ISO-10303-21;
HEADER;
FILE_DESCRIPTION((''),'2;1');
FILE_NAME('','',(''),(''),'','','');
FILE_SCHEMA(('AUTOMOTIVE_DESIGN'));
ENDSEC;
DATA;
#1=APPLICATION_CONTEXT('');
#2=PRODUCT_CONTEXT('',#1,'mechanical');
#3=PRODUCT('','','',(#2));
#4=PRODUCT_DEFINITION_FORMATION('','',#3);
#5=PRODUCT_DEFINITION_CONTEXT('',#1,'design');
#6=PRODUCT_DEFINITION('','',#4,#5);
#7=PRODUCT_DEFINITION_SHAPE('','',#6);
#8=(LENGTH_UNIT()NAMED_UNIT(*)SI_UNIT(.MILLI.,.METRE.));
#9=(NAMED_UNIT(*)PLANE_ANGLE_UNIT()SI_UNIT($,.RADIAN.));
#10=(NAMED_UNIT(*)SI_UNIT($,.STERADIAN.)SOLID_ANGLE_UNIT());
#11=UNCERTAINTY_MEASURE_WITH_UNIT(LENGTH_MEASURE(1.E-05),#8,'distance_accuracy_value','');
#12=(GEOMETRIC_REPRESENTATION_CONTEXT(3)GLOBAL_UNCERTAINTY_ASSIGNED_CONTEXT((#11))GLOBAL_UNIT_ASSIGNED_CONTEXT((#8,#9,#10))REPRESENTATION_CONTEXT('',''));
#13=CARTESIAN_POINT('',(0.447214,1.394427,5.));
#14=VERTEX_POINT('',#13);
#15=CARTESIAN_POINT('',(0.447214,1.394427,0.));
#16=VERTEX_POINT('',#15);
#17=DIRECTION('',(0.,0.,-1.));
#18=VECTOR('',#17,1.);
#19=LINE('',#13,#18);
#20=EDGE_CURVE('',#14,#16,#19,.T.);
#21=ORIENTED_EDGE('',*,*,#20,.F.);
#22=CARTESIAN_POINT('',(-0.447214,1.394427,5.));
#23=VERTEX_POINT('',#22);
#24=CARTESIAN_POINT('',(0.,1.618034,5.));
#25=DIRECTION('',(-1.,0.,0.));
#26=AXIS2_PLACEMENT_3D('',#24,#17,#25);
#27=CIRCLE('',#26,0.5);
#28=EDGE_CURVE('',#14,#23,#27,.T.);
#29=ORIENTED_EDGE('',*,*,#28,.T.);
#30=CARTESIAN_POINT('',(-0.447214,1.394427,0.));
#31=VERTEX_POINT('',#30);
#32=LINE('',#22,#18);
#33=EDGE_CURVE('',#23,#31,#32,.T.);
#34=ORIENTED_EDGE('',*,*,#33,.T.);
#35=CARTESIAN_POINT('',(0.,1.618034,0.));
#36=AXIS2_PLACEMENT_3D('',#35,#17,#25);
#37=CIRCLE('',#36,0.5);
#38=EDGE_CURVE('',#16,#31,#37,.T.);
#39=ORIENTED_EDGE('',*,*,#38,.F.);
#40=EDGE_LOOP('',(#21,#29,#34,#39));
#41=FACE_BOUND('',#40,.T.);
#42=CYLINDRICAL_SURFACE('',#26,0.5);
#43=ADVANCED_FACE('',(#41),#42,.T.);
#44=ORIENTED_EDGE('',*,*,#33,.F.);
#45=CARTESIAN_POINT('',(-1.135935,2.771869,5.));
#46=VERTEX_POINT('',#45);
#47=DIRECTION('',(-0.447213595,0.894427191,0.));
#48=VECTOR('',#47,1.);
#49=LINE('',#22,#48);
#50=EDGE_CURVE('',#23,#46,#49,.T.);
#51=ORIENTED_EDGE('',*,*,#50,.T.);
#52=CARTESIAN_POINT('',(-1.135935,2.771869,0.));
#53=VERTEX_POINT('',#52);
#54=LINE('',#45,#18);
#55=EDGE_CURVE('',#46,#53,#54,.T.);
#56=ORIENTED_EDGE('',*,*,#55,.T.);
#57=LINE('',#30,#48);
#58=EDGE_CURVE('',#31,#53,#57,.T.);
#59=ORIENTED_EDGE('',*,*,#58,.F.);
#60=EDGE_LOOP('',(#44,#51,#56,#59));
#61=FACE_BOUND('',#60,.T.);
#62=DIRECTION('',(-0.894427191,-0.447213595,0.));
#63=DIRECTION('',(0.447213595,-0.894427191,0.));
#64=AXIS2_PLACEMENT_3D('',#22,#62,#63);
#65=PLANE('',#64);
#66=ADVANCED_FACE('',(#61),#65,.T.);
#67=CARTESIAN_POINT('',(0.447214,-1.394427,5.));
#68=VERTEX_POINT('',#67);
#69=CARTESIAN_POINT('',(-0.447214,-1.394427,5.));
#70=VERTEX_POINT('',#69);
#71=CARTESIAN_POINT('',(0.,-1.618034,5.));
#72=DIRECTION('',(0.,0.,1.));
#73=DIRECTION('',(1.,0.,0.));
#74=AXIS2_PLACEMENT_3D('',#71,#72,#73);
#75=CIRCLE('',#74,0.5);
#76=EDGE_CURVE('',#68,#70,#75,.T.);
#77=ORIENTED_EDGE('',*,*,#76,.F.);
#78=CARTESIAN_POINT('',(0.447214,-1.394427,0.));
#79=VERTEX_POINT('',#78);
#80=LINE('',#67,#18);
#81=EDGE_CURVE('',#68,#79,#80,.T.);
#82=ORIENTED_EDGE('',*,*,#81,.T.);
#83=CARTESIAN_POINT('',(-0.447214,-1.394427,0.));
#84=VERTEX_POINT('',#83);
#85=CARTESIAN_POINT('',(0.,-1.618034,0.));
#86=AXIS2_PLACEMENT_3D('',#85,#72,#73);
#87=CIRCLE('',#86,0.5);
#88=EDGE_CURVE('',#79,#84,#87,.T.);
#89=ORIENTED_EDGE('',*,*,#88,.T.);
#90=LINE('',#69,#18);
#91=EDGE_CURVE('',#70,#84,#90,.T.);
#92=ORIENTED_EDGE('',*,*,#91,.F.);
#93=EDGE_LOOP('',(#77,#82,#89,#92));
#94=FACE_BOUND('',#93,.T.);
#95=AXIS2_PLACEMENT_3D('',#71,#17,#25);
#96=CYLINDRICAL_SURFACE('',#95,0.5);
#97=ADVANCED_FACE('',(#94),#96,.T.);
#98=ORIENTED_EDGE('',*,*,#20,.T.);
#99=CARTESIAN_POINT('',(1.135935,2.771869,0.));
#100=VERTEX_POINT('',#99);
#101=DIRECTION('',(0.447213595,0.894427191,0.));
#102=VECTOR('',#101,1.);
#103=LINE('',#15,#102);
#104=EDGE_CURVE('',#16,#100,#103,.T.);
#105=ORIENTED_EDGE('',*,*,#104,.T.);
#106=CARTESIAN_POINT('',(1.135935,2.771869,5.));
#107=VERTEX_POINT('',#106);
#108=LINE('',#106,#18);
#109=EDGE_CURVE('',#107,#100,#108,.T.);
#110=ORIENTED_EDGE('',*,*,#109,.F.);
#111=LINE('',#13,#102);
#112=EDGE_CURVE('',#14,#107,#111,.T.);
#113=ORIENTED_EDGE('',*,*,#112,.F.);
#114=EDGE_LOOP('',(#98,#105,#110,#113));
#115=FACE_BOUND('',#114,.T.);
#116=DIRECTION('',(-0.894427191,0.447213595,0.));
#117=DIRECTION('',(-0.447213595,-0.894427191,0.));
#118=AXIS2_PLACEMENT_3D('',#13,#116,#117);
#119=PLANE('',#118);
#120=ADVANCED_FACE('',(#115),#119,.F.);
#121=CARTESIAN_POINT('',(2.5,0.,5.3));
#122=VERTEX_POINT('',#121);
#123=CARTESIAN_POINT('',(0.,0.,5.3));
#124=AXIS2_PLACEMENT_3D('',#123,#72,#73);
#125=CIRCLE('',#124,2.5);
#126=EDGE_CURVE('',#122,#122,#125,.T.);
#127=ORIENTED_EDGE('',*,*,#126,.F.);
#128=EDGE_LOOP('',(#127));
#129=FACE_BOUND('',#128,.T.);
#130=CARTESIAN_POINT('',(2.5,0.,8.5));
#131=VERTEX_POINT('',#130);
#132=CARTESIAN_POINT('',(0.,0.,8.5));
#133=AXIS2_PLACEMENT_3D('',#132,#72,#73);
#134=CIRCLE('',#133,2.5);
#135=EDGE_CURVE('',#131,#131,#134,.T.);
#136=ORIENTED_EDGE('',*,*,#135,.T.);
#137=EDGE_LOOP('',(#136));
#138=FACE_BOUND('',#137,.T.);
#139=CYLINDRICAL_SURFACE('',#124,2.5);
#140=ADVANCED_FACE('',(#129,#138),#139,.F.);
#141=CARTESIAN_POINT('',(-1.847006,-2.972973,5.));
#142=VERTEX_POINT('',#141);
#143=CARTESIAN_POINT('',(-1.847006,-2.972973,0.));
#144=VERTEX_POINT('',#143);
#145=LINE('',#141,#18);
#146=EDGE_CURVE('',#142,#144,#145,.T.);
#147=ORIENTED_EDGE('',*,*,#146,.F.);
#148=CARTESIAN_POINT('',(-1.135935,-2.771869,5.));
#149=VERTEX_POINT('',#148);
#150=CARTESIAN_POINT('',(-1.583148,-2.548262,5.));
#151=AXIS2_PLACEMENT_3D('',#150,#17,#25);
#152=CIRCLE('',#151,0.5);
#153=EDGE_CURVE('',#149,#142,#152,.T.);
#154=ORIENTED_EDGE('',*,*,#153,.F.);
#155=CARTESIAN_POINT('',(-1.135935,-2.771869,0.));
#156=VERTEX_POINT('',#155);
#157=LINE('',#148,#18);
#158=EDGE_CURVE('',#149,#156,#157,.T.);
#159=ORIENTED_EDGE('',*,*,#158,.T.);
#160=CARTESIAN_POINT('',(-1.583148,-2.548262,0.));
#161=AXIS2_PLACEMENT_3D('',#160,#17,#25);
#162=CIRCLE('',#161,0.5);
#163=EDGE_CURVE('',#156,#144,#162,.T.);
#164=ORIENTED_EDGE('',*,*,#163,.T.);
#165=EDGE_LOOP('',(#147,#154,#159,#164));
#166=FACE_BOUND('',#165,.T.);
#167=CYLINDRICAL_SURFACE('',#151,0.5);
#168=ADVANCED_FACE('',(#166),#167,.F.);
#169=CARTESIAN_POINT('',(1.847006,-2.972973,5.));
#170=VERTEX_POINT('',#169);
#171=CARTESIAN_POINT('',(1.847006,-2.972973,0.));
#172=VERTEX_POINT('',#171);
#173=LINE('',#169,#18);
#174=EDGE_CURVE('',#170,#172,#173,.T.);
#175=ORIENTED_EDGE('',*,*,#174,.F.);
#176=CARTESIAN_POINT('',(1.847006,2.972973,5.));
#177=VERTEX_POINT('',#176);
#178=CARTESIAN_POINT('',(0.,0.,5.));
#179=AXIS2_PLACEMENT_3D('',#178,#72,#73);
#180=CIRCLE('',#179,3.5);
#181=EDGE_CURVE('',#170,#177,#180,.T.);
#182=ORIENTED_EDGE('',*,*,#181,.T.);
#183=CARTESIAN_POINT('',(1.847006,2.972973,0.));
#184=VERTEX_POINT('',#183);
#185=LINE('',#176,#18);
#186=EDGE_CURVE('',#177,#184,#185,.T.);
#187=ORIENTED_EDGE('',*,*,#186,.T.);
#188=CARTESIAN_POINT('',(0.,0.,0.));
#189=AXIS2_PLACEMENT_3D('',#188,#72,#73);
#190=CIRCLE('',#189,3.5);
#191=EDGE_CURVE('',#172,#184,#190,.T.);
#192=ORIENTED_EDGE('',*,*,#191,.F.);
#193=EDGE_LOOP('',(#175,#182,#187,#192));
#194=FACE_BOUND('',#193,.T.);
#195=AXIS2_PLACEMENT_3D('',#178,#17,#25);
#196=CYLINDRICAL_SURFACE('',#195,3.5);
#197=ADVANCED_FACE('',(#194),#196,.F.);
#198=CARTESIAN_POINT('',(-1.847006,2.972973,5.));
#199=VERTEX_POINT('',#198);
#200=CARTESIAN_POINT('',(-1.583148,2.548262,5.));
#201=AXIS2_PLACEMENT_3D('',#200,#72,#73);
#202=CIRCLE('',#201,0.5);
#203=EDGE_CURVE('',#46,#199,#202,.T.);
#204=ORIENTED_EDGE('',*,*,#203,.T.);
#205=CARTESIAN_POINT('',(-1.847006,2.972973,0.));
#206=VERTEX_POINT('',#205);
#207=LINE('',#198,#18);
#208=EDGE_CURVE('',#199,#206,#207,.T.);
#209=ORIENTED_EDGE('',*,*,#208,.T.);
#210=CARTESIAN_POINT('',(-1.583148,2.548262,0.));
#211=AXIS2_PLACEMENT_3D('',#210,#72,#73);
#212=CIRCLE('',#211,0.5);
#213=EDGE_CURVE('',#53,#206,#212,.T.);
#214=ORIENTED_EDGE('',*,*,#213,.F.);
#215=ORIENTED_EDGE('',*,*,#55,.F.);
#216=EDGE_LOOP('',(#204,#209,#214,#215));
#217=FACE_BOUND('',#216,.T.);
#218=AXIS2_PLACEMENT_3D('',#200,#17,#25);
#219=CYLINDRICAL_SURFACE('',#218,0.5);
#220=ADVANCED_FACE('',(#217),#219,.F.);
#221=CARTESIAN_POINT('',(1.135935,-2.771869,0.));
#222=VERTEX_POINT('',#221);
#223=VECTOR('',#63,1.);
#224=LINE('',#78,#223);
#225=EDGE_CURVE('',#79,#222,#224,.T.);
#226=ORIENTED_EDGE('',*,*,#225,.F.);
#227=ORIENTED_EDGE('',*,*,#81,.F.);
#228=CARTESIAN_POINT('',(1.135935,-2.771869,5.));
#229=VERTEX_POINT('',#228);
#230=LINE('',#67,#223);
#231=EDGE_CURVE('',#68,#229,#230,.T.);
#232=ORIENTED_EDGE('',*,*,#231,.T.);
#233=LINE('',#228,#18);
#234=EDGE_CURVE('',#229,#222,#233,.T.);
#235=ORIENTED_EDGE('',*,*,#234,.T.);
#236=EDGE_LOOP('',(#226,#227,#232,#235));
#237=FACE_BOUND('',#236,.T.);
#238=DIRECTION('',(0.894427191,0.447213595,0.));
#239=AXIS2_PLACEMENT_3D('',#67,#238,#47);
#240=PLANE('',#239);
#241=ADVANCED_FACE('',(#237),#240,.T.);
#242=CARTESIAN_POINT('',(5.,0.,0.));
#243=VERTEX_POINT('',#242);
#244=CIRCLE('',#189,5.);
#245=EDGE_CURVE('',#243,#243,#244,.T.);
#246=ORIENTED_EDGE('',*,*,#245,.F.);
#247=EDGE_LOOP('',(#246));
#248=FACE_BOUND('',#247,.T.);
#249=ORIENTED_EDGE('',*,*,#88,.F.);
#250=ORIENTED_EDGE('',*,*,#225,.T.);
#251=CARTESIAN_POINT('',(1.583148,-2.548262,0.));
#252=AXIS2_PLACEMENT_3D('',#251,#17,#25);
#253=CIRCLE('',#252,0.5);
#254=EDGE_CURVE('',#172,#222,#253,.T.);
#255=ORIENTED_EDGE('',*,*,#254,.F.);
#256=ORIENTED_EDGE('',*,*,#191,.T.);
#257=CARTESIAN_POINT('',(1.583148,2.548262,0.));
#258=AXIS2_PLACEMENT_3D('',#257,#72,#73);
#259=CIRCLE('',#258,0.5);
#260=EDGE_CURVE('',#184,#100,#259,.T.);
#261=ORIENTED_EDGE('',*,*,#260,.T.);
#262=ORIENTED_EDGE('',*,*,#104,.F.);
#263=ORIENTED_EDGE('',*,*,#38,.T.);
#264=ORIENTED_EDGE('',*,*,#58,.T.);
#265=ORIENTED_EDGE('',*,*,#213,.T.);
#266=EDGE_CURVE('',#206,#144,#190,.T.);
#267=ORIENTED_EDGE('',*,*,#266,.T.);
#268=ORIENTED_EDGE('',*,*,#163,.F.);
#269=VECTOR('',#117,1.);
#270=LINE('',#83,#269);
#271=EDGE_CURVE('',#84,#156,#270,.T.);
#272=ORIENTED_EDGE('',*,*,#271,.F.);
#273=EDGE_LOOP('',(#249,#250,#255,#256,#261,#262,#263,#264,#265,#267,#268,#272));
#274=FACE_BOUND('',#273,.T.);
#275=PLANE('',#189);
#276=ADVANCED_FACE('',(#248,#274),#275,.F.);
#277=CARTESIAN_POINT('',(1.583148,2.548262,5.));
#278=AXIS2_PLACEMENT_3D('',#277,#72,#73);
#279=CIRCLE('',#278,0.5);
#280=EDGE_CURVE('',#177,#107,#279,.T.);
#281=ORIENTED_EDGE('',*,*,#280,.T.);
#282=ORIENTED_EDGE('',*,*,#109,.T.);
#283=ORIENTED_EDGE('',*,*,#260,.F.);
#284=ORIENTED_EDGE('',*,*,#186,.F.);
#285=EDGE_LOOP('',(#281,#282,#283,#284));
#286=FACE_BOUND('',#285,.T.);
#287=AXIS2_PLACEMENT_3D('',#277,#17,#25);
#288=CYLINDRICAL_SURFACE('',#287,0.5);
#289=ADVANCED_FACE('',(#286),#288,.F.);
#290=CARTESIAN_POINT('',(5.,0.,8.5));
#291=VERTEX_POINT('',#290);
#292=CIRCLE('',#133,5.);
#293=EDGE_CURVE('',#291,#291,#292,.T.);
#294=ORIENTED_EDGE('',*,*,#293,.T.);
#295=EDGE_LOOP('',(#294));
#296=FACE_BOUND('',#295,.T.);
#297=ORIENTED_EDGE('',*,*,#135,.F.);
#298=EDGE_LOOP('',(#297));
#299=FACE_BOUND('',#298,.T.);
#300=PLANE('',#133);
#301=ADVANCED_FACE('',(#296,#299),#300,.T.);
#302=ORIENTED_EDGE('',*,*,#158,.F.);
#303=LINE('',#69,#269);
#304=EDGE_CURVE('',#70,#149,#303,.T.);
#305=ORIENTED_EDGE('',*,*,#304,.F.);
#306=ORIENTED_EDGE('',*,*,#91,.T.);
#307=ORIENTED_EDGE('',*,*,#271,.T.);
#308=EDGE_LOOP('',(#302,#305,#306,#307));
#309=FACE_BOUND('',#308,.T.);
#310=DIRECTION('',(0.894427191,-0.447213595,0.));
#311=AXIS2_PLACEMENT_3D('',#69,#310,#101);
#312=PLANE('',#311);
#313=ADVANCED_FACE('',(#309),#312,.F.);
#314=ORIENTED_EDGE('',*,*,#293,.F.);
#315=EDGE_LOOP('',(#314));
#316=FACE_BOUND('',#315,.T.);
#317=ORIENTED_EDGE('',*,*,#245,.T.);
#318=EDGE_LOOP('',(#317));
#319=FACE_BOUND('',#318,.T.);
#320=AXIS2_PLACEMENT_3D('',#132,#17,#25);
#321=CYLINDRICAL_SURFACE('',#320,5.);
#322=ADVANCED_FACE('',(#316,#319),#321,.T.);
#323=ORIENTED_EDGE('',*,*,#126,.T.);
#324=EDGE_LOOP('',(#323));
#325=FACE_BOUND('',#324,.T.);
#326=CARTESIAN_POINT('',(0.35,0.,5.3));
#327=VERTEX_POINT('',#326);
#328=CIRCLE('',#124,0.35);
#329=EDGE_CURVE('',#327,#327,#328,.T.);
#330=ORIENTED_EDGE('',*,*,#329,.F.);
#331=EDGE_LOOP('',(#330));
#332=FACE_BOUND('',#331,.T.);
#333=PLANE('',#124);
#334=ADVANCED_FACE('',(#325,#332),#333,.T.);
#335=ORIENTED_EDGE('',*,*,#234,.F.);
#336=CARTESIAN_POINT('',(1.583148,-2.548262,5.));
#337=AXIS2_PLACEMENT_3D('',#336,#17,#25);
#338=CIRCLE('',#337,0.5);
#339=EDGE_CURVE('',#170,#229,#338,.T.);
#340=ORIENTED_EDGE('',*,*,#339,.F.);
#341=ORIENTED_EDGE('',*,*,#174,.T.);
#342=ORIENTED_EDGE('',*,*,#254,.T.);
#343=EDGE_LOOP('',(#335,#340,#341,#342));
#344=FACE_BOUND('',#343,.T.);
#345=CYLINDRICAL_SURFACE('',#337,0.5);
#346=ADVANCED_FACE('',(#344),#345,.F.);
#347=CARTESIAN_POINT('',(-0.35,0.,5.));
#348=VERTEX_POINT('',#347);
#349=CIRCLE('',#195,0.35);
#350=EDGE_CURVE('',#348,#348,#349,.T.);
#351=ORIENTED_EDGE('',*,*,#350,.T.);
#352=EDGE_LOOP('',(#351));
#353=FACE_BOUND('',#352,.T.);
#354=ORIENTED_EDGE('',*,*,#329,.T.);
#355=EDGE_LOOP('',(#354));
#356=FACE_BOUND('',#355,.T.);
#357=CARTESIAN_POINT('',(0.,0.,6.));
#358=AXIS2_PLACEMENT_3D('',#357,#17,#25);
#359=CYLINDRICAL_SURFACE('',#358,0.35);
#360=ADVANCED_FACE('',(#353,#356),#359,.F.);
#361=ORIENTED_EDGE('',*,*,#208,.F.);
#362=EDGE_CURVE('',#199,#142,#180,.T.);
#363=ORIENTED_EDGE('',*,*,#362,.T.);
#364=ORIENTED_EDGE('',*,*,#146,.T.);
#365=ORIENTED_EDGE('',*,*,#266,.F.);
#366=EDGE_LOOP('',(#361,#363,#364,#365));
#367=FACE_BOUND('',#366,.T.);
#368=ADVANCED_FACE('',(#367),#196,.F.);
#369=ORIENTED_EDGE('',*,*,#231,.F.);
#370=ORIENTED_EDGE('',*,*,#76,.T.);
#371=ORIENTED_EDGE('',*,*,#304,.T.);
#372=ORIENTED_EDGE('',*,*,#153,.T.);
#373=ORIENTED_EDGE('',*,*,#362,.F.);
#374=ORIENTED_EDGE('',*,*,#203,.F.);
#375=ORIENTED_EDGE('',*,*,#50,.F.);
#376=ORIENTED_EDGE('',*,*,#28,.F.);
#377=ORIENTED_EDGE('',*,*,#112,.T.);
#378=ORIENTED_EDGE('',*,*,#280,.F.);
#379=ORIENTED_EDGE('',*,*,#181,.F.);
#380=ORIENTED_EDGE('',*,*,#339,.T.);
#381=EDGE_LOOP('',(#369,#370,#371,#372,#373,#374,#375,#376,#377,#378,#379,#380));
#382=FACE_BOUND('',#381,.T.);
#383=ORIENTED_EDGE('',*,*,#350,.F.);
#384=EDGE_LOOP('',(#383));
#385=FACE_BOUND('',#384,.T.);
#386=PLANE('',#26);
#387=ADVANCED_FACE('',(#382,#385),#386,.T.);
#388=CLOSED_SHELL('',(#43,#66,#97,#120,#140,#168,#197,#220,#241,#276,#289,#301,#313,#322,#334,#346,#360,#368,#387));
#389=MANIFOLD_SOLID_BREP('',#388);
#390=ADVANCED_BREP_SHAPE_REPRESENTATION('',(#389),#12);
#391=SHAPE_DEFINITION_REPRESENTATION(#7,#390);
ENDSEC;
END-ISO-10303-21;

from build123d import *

# Parameters (mm, degrees)
SKETCH2_R           = 5
BOSS_EXTRUDE1_DEPTH = 8.5
CUT_EXTRUDE1_DEPTH  = 5
SKETCH3_R           = 2.5
CUT_EXTRUDE2_DEPTH  = 3.2
SKETCH5_R           = 0.35
CUT_EXTRUDE4_DEPTH  = 1


with BuildPart() as part:
    # Sketch2 → Boss-Extrude1 (new body)
    with BuildSketch(Plane.XY):
        Circle(SKETCH2_R)
    extrude(amount=BOSS_EXTRUDE1_DEPTH)

    # Sketch1 → Cut-Extrude1 (cut)
    with BuildSketch(Plane.XY):
        with BuildLine():
            Line((-0.447213595, 1.394427191), (-1.135934639, 2.771869278))
            ThreePointArc((-1.135934639, 2.771869278), (-1.447076632, 3.029390861), (-1.847006274, 2.972972894))
            ThreePointArc((-1.847006274, 2.972972894), (-3.5, 0), (-1.847006274, -2.972972894))
            ThreePointArc((-1.847006274, -2.972972894), (-1.447076632, -3.029390861), (-1.135934639, -2.771869278))
            Line((-1.135934639, -2.771869278), (-0.447213595, -1.394427191))
            ThreePointArc((-0.447213595, -1.394427191), (0, -1.118033989), (0.447213595, -1.394427191))
            Line((0.447213595, -1.394427191), (1.135934639, -2.771869278))
            ThreePointArc((1.135934639, -2.771869278), (1.447076632, -3.029390861), (1.847006274, -2.972972894))
            ThreePointArc((1.847006274, -2.972972894), (3.5, 0), (1.847006274, 2.972972894))
            ThreePointArc((1.847006274, 2.972972894), (1.447076632, 3.029390861), (1.135934639, 2.771869278))
            Line((1.135934639, 2.771869278), (0.447213595, 1.394427191))
            ThreePointArc((0.447213595, 1.394427191), (0, 1.118033989), (-0.447213595, 1.394427191))
        make_face()
    extrude(amount=CUT_EXTRUDE1_DEPTH, mode=Mode.SUBTRACT)

    # Sketch3 → Cut-Extrude2 (cut)
    with BuildSketch(Plane.XY.offset(8.5)):
        Circle(SKETCH3_R)
    extrude(amount=-CUT_EXTRUDE2_DEPTH, mode=Mode.SUBTRACT)

    # Sketch5 → Cut-Extrude4 (cut)
    with BuildSketch(Plane(origin=(0, 0, 5), x_dir=(-1, 0, 0), z_dir=(0, 0, -1))):
        Circle(SKETCH5_R)
    extrude(amount=-CUT_EXTRUDE4_DEPTH, mode=Mode.SUBTRACT)


solid = part.part
